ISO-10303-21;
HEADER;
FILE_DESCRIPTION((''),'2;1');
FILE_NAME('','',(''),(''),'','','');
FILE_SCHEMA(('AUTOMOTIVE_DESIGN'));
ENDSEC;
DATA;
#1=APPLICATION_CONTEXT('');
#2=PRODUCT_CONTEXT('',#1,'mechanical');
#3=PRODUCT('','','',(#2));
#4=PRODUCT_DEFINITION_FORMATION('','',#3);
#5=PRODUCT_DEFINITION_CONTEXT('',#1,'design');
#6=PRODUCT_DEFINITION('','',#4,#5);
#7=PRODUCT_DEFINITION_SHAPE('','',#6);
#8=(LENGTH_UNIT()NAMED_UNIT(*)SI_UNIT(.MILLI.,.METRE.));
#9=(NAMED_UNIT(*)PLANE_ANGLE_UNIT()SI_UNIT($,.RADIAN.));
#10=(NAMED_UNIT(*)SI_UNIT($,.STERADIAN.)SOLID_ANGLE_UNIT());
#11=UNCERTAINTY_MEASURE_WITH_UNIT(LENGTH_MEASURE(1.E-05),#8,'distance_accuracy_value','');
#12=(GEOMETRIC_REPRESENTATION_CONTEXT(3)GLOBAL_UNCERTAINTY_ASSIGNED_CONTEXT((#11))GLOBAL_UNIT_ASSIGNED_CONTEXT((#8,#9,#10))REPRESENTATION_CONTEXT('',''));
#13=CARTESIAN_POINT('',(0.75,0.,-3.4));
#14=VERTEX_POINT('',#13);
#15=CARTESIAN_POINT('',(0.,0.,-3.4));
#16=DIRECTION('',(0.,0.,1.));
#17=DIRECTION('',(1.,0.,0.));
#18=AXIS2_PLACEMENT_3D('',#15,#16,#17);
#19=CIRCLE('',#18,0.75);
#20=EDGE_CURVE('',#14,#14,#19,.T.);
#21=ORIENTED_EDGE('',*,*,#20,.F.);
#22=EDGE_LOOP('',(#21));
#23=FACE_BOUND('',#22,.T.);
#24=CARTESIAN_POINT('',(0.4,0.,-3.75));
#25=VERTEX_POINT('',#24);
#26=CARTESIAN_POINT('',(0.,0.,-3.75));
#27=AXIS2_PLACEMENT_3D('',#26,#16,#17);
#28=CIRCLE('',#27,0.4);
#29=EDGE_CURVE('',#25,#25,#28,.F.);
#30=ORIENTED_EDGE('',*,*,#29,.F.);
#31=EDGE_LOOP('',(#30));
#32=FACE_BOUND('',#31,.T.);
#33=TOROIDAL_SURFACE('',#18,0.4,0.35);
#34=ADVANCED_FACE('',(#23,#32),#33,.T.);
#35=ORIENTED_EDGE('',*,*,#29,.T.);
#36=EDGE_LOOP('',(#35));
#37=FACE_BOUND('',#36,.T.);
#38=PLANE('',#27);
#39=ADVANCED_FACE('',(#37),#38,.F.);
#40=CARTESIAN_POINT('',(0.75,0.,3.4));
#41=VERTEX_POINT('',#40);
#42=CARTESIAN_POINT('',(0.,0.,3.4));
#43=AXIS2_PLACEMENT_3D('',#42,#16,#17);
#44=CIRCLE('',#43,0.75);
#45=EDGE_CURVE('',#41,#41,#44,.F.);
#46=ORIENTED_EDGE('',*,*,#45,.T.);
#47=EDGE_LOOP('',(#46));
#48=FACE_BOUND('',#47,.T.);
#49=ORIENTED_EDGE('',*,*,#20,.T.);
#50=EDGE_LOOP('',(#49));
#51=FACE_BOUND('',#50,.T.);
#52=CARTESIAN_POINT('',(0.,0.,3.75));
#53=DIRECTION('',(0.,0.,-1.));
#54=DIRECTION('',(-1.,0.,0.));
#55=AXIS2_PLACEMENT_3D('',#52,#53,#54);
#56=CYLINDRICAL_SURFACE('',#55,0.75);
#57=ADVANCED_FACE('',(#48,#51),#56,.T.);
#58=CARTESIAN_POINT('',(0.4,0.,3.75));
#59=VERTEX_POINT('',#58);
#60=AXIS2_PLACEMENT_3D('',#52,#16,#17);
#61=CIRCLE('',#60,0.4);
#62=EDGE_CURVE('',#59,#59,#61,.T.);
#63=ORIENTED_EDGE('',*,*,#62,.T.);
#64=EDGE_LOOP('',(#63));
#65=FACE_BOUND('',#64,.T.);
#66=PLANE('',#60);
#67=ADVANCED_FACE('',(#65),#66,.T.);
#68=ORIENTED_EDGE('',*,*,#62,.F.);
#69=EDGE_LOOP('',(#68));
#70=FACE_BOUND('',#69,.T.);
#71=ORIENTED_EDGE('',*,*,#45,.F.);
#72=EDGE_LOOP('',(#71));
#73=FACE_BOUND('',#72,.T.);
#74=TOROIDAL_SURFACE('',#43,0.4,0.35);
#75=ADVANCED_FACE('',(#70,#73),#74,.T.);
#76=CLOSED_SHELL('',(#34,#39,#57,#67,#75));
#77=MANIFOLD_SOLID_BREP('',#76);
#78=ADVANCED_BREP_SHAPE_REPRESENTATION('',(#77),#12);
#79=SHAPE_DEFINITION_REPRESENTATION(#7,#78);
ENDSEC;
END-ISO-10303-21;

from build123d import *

# Parameters (mm, degrees)
SKETCH1_R           = 0.75
BOSS_EXTRUDE1_DEPTH = 3.75
FILLET1_R           = 0.35


with BuildPart() as part:
    # Sketch1 → Boss-Extrude1 (new body, symmetric)
    with BuildSketch(Plane.XY):
        Circle(SKETCH1_R)
    extrude(amount=BOSS_EXTRUDE1_DEPTH, both=True)

    # Fillet1
    fillet1_edges = [part.edges().sort_by_distance(p)[0] for p in [
        (-0.75, 0, -3.75),
        (-0.75, 0, 3.75),
    ]]
    fillet(fillet1_edges, radius=FILLET1_R)


solid = part.part
